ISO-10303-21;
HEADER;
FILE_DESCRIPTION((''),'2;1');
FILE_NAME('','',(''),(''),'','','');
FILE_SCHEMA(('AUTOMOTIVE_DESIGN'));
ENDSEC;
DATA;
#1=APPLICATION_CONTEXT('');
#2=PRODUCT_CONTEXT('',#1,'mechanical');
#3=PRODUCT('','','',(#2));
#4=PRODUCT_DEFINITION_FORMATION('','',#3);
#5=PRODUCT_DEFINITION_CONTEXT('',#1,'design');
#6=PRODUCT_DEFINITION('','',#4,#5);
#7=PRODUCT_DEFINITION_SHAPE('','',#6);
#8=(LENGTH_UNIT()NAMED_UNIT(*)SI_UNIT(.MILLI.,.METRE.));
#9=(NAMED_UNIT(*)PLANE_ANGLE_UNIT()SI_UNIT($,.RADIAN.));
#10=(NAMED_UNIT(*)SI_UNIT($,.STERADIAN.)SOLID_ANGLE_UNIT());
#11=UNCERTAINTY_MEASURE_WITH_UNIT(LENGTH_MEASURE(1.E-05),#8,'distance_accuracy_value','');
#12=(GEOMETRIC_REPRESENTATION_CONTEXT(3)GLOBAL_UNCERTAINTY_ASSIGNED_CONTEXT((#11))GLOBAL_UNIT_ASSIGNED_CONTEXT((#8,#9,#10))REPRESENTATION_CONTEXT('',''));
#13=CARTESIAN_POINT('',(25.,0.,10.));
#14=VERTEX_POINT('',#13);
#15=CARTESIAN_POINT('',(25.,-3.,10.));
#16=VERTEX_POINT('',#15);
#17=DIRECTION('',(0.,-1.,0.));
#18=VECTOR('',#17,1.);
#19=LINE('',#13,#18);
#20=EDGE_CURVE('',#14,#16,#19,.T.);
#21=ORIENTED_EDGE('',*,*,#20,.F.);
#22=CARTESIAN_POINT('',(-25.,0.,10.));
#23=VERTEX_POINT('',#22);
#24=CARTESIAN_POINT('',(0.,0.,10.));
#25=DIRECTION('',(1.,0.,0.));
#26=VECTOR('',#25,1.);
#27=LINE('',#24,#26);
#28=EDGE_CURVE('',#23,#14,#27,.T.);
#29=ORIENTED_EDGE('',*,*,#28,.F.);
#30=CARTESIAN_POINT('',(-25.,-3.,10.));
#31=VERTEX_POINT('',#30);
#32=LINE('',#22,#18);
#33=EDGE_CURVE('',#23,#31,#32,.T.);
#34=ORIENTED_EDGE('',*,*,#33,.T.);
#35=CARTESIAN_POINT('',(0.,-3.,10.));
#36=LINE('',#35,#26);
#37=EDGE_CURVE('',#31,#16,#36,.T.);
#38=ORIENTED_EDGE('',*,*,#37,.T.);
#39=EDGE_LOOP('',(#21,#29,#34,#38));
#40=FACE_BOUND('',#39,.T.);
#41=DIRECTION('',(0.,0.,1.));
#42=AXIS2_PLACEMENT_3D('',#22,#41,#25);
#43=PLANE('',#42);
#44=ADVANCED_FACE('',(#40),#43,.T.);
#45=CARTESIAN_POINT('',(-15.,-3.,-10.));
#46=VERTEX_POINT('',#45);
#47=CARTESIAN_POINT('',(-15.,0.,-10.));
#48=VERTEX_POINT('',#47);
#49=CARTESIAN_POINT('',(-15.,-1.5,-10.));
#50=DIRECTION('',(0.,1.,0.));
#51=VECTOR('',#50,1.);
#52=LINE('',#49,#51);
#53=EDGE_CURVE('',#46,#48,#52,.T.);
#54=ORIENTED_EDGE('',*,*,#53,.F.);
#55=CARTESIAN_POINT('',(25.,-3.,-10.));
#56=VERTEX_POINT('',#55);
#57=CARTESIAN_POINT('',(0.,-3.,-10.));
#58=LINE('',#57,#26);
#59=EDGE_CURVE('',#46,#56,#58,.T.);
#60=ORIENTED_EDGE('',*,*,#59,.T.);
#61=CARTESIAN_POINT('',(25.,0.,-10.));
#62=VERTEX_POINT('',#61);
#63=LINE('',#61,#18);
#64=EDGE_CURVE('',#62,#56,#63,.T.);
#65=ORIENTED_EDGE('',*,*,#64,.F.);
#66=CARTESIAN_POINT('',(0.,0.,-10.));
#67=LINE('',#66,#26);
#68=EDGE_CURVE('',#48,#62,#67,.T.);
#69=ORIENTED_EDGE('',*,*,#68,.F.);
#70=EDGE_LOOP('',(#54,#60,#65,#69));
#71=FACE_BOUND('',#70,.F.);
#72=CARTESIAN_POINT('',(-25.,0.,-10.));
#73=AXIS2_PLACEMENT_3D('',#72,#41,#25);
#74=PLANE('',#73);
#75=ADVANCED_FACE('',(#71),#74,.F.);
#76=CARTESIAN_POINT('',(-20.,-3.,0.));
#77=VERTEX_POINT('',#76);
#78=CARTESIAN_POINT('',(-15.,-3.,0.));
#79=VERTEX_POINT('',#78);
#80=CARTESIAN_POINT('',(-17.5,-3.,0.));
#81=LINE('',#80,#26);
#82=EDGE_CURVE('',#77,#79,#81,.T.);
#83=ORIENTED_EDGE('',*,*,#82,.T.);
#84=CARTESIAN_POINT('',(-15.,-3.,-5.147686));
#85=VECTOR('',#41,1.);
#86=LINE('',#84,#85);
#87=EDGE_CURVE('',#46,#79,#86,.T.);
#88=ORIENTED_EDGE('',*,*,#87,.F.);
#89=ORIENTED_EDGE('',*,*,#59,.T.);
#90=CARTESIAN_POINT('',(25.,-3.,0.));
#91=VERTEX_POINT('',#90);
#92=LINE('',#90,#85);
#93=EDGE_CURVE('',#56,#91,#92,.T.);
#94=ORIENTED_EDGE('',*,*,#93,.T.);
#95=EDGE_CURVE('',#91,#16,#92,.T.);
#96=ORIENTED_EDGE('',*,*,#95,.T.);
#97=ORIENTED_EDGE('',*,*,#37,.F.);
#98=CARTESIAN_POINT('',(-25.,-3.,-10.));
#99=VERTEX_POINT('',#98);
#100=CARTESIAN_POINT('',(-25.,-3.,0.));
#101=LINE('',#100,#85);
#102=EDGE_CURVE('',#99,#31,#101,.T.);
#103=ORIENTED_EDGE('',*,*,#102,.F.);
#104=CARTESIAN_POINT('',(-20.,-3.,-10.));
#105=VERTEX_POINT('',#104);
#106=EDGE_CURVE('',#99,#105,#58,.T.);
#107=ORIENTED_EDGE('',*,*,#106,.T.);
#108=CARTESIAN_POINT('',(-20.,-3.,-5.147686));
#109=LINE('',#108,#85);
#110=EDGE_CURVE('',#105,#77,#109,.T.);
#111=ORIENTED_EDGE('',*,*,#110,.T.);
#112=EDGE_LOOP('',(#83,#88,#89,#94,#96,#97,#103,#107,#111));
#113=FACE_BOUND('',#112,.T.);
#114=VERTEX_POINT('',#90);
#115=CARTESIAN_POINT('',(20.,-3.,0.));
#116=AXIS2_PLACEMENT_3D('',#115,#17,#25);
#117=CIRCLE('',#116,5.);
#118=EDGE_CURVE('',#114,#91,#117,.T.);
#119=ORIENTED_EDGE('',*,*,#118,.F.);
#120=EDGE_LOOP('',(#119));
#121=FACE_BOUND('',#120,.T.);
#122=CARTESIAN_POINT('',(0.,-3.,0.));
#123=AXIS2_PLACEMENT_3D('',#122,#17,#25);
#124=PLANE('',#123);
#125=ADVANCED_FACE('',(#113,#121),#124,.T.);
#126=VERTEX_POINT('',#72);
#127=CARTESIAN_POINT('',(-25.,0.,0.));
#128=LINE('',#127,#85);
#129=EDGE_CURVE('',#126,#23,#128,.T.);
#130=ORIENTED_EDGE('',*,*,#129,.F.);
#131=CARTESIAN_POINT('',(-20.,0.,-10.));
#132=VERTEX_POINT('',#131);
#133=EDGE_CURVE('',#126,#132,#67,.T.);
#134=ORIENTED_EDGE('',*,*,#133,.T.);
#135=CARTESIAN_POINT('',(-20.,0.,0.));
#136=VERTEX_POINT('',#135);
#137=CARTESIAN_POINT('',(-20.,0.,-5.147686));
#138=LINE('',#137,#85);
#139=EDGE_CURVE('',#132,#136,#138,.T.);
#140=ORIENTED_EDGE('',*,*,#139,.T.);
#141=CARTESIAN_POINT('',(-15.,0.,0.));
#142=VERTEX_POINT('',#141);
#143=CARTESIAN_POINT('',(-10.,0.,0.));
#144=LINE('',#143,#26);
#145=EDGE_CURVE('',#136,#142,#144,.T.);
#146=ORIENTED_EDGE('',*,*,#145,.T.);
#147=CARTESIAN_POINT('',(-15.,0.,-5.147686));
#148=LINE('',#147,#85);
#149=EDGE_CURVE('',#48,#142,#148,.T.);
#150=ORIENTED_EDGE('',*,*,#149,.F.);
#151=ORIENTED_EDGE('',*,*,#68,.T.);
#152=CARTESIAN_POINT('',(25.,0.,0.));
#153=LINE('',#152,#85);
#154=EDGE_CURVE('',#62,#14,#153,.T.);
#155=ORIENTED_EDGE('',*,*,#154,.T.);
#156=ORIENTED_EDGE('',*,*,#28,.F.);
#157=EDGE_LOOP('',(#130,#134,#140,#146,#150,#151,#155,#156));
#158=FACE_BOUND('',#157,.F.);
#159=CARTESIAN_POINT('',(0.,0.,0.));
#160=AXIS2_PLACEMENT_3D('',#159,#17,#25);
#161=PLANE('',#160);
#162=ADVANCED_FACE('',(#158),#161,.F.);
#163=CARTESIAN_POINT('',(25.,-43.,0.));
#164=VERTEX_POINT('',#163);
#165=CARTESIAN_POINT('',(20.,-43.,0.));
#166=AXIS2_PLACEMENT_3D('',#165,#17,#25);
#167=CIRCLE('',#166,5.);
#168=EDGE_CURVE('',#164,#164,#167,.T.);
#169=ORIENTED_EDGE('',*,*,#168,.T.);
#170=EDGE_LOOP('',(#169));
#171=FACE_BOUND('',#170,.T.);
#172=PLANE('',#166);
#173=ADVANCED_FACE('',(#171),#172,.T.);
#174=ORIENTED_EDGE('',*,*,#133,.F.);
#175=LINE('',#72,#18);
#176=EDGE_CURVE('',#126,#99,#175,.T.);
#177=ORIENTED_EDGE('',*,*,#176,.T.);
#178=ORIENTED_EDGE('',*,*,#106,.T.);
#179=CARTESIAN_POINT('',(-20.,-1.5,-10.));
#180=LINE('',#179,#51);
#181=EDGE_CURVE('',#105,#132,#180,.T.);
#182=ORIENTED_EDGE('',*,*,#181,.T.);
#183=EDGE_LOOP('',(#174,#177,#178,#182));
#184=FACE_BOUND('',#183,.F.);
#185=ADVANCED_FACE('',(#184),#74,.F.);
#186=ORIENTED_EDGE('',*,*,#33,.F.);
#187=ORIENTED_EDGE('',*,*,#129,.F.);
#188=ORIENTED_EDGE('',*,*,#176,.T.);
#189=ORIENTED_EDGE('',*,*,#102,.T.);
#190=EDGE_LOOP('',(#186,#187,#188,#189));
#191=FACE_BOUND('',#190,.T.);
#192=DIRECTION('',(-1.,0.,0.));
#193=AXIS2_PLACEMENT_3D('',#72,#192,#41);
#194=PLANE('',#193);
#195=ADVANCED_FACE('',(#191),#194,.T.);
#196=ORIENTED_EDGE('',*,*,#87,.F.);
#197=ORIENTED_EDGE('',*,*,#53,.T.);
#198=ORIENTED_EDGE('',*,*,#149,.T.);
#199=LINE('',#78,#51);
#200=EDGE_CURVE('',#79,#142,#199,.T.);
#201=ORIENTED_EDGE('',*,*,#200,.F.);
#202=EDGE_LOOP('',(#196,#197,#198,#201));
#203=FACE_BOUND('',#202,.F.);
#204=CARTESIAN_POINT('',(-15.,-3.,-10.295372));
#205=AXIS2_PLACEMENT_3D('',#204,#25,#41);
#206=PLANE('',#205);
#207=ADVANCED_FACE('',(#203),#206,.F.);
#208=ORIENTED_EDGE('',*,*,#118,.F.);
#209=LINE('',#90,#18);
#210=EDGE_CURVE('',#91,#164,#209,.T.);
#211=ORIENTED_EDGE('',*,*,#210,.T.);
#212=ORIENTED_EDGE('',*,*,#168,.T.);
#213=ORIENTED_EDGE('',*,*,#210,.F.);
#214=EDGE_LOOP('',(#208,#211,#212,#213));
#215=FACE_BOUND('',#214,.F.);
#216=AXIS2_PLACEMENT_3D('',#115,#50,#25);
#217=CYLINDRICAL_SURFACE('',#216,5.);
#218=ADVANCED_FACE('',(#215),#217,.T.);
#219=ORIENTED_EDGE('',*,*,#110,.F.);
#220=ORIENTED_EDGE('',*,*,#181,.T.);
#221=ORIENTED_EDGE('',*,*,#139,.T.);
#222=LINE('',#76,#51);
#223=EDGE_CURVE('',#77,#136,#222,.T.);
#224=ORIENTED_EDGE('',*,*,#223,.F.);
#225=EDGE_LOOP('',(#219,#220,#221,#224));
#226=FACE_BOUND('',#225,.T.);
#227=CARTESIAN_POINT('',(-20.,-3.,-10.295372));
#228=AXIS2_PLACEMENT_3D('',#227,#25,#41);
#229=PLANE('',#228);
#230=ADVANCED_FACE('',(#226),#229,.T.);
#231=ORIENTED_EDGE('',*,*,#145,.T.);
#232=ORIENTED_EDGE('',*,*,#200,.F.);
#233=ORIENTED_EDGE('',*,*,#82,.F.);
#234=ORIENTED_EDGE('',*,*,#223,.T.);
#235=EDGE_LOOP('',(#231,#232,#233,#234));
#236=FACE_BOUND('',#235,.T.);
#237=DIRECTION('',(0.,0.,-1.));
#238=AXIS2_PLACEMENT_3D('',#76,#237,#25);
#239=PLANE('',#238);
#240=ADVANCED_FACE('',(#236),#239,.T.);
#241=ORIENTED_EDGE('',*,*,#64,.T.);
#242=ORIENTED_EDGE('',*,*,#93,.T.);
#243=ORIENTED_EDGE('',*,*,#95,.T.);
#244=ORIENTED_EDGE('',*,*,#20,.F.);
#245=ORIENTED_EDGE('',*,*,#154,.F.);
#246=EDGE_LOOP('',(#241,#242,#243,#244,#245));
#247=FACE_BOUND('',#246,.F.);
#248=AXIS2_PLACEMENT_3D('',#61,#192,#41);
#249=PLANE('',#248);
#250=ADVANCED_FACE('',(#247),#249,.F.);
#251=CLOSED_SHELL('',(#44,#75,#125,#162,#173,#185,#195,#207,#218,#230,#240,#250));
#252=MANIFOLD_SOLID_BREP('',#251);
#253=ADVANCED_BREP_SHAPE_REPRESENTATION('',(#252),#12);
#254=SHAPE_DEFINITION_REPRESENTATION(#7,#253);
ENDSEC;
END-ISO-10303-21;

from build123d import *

# Parameters (mm, degrees)
F0_W     = 50
F0_H     = 20
F1_DEPTH = 3
F2_R     = 5
F3_DEPTH = 40
F4_W     = 5
F4_H     = 10.295372
F5_DEPTH = 3.001


with BuildPart() as f1:
    # F0 (on Front) → F1 (new body)
    with BuildSketch(Plane.XZ):
        Rectangle(F0_W, F0_H)
    extrude(amount=F1_DEPTH)

    # F2 (on face) → F3 (join)
    with BuildSketch(Plane.XZ.offset(3)):
        with Locations((20, 0)):
            Circle(F2_R)
    extrude(amount=F3_DEPTH)

    # F4 (on face) → F5 (cut, through all)
    with BuildSketch(Plane.XZ.offset(3)):
        with Locations((-17.5, -5.147686)):
            Rectangle(F4_W, F4_H)
    extrude(amount=-F5_DEPTH, mode=Mode.SUBTRACT)


solid = f1.part
